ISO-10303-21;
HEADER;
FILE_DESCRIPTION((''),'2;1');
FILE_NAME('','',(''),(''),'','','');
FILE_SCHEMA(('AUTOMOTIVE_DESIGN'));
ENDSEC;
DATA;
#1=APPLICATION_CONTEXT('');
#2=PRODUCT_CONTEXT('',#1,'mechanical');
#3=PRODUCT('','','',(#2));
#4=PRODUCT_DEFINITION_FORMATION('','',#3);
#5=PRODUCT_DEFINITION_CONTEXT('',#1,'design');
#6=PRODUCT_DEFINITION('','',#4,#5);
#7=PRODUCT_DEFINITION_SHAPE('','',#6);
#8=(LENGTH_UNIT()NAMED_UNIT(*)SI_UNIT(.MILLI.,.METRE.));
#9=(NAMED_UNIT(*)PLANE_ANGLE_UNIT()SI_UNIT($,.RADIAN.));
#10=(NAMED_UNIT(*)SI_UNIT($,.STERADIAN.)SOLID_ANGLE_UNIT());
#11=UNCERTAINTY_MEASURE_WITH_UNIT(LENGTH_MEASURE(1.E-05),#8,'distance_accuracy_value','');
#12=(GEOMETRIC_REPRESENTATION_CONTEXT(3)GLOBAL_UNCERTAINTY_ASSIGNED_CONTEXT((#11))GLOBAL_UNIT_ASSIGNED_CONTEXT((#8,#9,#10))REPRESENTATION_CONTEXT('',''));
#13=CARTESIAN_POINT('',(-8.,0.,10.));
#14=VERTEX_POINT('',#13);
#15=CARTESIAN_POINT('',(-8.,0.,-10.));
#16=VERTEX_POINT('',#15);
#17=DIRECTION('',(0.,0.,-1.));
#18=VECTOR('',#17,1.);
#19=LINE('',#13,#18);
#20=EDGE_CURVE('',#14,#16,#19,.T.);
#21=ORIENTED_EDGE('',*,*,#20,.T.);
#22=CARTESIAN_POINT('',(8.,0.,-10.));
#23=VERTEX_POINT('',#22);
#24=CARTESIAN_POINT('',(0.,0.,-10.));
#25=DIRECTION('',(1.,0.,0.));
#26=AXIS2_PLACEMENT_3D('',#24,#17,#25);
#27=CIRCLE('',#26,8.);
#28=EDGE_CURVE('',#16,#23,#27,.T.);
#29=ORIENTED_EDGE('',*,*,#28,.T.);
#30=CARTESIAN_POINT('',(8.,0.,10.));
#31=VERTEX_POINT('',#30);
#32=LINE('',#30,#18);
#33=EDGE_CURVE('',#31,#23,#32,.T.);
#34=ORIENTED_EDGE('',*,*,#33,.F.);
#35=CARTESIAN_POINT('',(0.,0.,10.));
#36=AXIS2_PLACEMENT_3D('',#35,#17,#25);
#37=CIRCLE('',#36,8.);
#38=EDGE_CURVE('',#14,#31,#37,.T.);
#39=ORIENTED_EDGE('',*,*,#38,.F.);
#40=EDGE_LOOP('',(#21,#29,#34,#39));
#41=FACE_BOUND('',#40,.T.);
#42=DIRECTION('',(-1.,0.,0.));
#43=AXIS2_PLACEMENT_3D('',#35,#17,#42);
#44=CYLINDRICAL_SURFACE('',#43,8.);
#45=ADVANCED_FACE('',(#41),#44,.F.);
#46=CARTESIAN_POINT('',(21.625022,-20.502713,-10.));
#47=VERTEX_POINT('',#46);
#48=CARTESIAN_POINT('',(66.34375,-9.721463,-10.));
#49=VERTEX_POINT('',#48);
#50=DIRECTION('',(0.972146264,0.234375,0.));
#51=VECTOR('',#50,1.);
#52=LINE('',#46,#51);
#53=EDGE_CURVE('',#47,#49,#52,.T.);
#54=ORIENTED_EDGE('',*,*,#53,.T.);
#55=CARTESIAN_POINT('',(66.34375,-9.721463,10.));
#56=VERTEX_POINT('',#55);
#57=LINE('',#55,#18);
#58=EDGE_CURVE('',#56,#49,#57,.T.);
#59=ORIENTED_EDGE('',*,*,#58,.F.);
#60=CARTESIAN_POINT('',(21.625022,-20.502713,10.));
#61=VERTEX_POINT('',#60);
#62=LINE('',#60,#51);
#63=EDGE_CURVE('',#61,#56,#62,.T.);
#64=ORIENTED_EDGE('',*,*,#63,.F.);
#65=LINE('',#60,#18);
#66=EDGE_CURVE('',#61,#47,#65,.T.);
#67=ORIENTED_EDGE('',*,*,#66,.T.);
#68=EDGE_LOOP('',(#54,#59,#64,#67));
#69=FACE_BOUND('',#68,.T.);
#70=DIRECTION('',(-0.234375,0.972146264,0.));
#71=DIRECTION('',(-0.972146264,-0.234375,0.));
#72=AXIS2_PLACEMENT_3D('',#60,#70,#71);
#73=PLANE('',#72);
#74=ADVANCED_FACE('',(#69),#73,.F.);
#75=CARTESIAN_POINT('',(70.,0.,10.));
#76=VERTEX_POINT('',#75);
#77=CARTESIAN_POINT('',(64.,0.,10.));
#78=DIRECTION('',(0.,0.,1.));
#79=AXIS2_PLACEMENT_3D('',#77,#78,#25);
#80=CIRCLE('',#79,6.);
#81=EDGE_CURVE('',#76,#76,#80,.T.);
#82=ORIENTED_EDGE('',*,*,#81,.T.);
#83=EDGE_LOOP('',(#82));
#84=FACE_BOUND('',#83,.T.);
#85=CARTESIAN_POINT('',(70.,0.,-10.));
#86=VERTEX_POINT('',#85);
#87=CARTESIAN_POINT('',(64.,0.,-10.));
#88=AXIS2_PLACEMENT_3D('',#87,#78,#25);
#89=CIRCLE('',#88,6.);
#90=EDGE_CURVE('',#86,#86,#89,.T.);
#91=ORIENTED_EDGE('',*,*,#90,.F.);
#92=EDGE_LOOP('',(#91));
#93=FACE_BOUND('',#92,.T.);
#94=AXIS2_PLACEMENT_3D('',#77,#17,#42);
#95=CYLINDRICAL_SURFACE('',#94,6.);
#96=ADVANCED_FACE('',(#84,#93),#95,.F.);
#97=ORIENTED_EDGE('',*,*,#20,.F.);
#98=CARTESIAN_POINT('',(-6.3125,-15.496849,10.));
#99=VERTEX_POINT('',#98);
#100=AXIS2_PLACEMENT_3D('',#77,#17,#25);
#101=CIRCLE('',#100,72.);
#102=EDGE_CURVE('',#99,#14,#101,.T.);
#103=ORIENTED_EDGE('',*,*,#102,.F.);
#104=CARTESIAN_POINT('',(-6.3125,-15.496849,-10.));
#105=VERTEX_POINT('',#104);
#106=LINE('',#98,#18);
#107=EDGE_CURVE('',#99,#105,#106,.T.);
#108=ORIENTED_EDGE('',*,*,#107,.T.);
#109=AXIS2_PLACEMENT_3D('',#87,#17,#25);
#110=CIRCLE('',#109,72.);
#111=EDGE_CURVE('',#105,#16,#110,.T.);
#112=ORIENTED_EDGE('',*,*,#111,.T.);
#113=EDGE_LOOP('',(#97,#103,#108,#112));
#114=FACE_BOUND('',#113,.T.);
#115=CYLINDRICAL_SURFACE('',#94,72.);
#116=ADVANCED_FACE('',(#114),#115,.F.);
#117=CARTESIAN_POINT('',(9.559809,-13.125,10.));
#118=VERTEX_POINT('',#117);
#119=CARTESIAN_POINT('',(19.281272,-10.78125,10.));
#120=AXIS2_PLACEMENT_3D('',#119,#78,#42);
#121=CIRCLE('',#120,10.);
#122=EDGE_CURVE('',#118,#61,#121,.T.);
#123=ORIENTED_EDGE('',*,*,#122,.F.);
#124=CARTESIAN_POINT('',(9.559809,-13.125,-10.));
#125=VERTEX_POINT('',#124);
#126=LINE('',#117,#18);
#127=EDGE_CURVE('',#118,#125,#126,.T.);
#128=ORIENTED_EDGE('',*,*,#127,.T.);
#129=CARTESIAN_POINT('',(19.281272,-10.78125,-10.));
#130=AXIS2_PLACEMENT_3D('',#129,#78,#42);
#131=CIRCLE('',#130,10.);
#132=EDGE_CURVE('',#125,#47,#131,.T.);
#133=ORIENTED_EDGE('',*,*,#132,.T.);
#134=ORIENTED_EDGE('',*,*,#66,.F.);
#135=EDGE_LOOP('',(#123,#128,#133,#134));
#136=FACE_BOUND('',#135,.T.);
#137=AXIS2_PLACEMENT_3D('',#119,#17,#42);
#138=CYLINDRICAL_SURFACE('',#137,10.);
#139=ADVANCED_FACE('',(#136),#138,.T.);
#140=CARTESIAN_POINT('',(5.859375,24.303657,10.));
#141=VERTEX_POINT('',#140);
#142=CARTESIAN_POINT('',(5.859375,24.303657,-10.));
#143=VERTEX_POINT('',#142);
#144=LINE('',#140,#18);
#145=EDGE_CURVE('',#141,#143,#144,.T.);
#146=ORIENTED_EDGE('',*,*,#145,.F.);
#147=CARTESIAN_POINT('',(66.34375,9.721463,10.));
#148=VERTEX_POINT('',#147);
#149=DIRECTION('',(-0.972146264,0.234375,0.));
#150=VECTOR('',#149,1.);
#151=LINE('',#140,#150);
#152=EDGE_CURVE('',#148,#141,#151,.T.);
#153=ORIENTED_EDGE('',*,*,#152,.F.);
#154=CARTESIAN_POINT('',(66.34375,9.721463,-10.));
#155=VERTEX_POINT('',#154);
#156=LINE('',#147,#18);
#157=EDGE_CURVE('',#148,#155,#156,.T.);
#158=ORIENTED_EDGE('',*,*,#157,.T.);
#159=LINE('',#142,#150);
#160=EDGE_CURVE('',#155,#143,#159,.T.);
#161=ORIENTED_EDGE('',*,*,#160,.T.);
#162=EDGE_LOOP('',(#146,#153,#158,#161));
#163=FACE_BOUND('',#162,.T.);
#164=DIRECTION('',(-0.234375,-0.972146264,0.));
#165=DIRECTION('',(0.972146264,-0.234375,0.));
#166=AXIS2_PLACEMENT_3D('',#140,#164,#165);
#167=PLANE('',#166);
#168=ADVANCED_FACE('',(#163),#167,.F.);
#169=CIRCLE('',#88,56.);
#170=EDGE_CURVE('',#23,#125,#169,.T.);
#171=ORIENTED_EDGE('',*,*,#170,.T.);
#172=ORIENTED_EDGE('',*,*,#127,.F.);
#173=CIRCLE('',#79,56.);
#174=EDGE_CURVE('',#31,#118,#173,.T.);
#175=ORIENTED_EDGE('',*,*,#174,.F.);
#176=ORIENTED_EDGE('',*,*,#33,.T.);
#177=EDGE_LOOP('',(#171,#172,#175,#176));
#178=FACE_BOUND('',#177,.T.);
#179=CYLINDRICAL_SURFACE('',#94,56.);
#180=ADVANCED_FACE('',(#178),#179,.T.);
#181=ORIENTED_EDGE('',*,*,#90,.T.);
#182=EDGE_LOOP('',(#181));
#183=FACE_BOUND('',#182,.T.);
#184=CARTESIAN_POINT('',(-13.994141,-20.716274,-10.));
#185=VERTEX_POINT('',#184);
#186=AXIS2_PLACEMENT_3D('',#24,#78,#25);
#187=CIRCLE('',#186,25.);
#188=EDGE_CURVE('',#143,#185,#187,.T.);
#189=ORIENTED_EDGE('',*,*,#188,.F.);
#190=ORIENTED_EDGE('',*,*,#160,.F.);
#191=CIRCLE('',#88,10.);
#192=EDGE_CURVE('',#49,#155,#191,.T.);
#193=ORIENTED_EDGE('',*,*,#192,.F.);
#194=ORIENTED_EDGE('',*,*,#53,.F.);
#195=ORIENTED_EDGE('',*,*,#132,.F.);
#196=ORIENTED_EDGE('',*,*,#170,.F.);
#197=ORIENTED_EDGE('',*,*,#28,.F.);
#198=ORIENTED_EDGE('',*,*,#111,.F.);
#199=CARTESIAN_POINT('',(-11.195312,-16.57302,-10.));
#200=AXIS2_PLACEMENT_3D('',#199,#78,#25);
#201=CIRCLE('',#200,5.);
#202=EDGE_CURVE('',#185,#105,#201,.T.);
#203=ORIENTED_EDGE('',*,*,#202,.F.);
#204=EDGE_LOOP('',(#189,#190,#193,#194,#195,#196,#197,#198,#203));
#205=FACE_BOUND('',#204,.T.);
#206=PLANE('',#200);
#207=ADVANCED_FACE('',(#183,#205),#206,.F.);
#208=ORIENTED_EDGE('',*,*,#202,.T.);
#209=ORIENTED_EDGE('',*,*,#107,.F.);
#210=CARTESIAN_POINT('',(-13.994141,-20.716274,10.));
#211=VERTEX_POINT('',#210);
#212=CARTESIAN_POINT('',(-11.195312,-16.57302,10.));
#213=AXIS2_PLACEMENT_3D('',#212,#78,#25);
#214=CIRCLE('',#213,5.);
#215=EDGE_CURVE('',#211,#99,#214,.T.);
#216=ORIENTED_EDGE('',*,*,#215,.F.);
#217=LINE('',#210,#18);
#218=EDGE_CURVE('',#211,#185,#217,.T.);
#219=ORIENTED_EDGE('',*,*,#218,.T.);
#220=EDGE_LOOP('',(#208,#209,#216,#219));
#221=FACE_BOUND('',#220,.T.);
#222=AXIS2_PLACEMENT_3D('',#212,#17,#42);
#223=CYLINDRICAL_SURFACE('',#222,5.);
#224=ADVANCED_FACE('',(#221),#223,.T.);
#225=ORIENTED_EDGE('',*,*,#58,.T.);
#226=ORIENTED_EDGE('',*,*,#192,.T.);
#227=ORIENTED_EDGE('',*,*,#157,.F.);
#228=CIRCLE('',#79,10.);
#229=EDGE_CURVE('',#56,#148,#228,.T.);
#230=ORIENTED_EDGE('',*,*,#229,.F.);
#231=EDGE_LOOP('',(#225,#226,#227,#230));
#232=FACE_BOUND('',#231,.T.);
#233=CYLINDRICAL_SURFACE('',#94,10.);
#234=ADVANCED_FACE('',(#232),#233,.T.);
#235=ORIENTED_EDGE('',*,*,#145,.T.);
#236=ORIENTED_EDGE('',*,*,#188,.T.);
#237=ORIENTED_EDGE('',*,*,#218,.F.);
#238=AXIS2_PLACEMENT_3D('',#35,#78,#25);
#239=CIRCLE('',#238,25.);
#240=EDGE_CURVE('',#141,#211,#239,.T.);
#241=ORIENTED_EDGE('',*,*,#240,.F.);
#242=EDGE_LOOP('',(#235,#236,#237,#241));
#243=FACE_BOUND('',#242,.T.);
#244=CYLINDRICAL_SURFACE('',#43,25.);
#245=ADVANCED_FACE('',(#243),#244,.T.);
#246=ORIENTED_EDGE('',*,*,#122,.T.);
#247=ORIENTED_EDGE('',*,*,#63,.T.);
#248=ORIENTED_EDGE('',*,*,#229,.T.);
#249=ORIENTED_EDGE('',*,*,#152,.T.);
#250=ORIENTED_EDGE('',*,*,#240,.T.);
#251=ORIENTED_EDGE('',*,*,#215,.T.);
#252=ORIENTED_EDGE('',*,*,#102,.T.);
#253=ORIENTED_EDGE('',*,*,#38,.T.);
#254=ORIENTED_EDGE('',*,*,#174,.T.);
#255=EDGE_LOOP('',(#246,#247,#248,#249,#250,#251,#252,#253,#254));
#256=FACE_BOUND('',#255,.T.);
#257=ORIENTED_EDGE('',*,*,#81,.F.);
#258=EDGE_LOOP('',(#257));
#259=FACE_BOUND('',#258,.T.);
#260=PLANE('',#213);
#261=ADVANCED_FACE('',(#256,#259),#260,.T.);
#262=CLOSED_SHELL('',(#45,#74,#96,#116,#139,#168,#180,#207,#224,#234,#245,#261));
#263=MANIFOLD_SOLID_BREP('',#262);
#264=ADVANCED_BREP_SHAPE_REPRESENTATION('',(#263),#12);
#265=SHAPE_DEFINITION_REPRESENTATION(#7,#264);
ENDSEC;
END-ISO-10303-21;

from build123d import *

# Parameters (mm, degrees)
SKETCH1_R           = 6
BOSS_EXTRUDE1_DEPTH = 10


with BuildPart() as part:
    # Sketch1 → Boss-Extrude1 (new, symmetric)
    with BuildSketch(Plane.XY):
        with BuildLine():
            Line((5.859375, 24.30365661), (66.34375, 9.721462644))
            ThreePointArc((66.34375, 9.721462644), (74, 0), (66.34375, -9.721462644))
            Line((66.34375, -9.721462644), (21.625021838, -20.502712644))
            ThreePointArc((21.625021838, -20.502712644), (14.064441198, -19.312643677), (9.559809194, -13.125))
            ThreePointArc((9.559809194, -13.125), (8.391319539, -6.608680461), (8, 0))
            ThreePointArc((8, 0), (0, 8), (-8, 0))
            ThreePointArc((-8, 0), (-7.576881743, -7.794228634), (-6.3125, -15.496849478))
            ThreePointArc((-6.3125, -15.496849478), (-8.385268542, -20.708675871), (-13.994140625, -20.716274476))
            ThreePointArc((-13.994140625, -20.716274476), (-22.874486916, 10.08750952), (5.859375, 24.30365661))
        make_face()
        with Locations((64, 0)):
            Circle(SKETCH1_R, mode=Mode.SUBTRACT)
    extrude(amount=BOSS_EXTRUDE1_DEPTH, both=True)


solid = part.part
